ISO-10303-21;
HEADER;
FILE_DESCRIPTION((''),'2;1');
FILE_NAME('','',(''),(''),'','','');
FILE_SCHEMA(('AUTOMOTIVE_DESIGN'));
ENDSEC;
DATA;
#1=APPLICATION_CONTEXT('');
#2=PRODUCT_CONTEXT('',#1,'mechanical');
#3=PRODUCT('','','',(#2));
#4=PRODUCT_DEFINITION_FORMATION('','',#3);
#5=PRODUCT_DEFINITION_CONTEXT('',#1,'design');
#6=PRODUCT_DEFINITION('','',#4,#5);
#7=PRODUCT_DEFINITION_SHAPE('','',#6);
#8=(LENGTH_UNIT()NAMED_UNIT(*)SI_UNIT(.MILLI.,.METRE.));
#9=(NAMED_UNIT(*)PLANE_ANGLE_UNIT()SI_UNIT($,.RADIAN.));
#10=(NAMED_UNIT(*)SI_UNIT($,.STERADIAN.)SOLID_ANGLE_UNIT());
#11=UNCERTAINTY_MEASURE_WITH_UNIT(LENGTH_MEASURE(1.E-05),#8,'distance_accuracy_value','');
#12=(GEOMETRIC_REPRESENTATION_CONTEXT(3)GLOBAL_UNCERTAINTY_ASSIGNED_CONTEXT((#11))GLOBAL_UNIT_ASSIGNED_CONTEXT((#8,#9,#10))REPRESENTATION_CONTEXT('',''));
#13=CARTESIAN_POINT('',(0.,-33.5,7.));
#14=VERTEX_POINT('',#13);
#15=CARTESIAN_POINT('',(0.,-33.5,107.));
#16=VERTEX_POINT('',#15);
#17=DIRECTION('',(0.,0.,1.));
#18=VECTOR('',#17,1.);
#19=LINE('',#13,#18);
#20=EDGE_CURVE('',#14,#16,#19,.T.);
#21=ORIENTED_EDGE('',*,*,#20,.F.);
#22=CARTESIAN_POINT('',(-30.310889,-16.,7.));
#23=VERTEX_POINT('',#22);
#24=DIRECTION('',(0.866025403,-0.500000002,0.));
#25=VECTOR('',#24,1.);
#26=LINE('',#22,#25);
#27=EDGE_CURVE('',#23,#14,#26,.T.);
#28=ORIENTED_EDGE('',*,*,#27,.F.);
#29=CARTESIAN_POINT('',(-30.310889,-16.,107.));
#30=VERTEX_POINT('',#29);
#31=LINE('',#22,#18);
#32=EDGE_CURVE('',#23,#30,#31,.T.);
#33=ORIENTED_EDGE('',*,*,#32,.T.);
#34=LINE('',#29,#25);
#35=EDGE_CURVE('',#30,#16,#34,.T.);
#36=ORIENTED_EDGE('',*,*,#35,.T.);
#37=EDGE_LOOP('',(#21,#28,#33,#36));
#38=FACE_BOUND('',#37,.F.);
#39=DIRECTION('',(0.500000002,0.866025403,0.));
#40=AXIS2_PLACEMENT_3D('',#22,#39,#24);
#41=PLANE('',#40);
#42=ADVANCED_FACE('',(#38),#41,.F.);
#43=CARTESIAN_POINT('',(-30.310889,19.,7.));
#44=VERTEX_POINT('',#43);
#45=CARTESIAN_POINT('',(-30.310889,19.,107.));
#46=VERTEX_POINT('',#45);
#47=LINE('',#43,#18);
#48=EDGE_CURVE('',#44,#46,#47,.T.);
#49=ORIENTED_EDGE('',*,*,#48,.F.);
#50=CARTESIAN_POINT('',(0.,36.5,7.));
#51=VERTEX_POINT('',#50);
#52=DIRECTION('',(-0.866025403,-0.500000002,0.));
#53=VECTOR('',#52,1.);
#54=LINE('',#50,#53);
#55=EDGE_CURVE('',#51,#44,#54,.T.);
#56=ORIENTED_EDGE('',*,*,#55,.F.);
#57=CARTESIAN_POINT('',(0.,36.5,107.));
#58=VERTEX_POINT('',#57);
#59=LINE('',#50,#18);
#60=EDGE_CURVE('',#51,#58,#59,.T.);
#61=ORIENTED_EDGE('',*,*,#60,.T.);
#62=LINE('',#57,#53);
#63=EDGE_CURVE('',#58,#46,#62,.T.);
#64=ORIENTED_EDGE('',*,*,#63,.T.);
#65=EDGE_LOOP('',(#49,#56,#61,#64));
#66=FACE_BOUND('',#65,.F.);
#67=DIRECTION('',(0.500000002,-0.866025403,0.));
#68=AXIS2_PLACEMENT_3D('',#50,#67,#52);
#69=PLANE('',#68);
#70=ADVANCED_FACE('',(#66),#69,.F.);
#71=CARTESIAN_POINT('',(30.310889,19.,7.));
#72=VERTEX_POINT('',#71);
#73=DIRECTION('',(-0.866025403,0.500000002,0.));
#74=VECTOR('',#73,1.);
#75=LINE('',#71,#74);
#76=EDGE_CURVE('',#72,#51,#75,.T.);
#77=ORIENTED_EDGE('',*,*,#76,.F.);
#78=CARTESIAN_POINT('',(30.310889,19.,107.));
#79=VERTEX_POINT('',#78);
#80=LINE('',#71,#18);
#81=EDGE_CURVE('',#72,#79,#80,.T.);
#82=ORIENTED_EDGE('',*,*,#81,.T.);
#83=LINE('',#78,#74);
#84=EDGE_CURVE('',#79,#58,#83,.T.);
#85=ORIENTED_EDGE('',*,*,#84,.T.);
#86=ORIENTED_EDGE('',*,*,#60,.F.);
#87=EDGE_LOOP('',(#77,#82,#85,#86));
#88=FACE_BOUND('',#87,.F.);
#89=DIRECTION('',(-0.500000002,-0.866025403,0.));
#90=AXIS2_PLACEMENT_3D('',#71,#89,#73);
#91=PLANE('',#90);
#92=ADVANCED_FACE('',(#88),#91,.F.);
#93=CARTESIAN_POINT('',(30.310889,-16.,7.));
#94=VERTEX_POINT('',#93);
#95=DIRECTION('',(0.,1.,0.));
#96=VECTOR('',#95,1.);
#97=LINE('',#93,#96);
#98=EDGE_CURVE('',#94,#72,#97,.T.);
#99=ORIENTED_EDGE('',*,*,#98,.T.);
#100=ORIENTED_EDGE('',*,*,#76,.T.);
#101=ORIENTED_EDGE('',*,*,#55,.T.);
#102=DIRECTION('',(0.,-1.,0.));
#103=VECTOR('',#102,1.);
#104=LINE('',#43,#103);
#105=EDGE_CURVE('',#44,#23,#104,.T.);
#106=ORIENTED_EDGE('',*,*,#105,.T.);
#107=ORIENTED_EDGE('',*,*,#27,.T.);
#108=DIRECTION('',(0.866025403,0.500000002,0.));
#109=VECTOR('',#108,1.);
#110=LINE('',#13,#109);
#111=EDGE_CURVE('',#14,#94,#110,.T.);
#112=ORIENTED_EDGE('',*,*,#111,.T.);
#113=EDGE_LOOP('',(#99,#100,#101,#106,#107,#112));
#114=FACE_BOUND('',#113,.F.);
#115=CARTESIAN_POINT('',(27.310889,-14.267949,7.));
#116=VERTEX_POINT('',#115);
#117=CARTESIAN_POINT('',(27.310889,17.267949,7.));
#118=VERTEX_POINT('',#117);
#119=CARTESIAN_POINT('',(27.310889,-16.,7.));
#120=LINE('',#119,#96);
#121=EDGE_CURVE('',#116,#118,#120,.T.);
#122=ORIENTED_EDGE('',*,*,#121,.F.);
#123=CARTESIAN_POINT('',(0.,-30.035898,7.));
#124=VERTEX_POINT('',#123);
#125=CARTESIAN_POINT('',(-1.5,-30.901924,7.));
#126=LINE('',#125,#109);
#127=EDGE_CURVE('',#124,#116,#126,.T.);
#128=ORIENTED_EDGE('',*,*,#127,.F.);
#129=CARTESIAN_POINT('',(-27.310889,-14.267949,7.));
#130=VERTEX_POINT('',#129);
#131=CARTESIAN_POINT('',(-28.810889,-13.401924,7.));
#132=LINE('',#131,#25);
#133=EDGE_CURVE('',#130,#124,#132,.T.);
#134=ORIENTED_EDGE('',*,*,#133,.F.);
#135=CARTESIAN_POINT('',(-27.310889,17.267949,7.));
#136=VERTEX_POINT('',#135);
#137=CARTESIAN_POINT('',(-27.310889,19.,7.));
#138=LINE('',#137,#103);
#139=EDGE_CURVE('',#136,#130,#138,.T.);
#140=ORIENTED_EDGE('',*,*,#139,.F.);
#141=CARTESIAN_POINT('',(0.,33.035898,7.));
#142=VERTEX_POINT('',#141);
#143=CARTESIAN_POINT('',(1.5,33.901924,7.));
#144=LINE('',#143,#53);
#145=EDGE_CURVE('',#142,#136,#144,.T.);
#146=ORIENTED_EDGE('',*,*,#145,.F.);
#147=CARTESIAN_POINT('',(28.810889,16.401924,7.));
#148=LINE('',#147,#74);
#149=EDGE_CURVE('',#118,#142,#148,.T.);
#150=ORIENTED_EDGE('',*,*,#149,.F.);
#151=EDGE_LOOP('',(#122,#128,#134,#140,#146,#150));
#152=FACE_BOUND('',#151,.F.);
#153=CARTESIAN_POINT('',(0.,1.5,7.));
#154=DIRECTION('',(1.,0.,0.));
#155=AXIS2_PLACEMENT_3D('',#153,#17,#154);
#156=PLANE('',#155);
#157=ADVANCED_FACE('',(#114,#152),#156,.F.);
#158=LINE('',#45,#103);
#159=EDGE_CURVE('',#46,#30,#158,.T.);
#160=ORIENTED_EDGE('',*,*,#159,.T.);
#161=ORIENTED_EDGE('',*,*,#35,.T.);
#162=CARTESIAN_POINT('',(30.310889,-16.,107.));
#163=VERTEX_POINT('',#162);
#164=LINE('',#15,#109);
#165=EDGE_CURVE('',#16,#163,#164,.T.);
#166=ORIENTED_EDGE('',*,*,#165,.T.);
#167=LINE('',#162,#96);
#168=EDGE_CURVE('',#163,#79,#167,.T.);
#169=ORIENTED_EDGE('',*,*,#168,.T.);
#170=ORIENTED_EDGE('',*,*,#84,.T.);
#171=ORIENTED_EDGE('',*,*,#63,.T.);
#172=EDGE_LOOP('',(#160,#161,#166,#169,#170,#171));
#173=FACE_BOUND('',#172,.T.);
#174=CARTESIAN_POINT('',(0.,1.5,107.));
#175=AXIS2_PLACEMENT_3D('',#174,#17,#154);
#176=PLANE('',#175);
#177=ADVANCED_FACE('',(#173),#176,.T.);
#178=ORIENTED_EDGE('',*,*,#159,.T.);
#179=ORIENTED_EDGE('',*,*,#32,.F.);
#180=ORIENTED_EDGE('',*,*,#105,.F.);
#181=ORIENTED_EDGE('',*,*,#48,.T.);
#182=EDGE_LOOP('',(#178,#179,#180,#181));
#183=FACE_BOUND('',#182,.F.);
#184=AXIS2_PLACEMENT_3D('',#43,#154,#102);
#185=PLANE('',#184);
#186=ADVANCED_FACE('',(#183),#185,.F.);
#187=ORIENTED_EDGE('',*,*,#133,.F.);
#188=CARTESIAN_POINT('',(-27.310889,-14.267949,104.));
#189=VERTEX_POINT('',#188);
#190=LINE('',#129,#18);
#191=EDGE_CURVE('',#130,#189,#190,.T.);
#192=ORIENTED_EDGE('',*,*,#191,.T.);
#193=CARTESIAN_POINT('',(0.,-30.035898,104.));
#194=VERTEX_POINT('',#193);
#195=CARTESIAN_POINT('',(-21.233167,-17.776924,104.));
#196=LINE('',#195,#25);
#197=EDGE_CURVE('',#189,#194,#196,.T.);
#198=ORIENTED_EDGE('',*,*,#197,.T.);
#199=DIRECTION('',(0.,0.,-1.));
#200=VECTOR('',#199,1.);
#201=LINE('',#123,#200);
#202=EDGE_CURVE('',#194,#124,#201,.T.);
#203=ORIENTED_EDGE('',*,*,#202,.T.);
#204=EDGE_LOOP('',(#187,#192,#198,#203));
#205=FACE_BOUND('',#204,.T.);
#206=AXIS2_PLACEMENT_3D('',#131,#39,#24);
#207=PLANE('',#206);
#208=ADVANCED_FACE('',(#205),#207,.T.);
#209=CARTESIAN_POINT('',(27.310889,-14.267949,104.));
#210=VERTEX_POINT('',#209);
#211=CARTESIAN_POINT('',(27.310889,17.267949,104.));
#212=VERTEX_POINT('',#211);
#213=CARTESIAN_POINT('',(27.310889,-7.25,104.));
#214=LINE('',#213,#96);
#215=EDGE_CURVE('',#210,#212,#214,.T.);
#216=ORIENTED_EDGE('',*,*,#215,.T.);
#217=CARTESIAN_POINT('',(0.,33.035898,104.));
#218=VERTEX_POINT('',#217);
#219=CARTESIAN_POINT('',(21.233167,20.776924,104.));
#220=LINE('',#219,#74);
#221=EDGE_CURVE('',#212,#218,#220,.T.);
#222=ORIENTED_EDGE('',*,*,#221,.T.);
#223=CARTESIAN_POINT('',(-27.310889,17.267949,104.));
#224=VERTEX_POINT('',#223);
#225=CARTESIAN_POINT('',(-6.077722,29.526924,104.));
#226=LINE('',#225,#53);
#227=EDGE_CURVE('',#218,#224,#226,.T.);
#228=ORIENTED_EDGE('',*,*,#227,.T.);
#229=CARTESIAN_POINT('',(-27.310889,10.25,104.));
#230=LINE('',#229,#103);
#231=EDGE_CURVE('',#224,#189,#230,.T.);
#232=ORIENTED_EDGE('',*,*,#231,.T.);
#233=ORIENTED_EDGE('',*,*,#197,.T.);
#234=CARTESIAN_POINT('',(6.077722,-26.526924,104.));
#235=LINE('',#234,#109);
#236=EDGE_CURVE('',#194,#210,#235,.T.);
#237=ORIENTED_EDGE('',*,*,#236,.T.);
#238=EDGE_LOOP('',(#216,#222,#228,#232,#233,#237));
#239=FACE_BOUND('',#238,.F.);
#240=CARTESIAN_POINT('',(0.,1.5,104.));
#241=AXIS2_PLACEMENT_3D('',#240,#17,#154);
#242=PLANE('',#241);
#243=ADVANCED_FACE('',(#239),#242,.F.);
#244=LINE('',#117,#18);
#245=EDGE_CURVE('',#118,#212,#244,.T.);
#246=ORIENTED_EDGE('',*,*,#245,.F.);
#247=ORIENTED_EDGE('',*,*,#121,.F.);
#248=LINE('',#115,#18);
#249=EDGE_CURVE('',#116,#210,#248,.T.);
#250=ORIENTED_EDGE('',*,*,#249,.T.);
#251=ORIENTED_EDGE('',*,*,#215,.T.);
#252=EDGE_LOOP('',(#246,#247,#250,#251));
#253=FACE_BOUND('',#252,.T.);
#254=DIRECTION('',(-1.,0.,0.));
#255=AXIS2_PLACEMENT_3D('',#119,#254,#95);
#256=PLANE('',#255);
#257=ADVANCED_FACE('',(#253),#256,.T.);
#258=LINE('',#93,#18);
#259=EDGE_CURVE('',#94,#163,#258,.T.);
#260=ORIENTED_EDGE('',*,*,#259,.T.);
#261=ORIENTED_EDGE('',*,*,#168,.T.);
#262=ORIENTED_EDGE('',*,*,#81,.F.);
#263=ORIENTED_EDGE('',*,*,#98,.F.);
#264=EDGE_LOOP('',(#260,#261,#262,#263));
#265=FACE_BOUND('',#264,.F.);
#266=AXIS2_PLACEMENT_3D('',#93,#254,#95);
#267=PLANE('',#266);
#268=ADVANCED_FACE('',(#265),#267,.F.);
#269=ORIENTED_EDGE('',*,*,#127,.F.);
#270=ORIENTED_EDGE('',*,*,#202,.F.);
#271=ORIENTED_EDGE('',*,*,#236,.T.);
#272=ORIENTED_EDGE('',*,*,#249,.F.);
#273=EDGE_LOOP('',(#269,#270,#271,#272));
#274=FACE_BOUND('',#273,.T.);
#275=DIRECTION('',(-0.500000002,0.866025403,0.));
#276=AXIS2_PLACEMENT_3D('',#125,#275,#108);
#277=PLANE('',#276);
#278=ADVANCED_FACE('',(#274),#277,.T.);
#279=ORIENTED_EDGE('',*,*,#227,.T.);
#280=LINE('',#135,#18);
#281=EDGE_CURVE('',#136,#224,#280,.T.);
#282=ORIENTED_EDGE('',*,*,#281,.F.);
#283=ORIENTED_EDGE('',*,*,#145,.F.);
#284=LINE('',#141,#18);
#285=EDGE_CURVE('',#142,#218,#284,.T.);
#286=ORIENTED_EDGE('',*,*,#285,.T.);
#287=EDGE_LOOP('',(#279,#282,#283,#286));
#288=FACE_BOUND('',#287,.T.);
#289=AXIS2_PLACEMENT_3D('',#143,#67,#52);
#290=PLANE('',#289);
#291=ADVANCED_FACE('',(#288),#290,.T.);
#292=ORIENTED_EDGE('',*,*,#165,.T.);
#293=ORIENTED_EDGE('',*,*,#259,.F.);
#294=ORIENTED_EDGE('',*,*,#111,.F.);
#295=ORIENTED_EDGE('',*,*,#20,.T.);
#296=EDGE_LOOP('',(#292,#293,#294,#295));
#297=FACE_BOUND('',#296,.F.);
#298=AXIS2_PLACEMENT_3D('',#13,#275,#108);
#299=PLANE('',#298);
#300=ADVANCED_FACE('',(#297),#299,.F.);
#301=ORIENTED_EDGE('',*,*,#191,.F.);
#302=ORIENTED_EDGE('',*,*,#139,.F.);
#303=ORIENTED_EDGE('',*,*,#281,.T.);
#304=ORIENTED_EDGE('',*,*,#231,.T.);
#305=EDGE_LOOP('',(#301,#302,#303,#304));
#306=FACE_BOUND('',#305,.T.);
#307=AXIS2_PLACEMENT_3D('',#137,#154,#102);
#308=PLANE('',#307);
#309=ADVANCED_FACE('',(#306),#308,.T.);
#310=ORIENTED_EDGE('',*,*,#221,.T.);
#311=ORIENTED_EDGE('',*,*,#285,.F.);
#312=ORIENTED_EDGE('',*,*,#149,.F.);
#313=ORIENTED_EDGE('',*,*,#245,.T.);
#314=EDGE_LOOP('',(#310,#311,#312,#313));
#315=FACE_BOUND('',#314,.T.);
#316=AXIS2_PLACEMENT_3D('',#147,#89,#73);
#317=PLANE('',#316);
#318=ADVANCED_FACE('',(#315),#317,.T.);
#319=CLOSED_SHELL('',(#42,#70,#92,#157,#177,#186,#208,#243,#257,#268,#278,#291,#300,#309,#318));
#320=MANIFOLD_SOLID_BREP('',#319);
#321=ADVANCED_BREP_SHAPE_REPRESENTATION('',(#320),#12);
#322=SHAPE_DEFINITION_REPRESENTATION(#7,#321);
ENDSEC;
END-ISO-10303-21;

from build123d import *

# Parameters (mm, degrees)
PAD003_DEPTH   = 100
THICKNESS001_T = -3


with BuildPart() as part:
    # Sketch004 → Pad003 (new body)
    with BuildSketch(Plane.XY):
        Polygon((0, -35), (30.310889, -17.5), (30.310889, 17.5), (0, 35), (-30.310889, 17.5), (-30.310889, -17.5), align=None)
    extrude(amount=PAD003_DEPTH)

    # Thickness001
    thickness001_openings = [part.faces().sort_by_distance(p)[0] for p in [
        (0, 0, 0),
    ]]
    offset(amount=THICKNESS001_T, openings=thickness001_openings)


with BuildPart() as part_1:
    # Body001 placement: moved
    add(part.part.moved(Location((0, 1.5, 7))))


solid = part_1.part
